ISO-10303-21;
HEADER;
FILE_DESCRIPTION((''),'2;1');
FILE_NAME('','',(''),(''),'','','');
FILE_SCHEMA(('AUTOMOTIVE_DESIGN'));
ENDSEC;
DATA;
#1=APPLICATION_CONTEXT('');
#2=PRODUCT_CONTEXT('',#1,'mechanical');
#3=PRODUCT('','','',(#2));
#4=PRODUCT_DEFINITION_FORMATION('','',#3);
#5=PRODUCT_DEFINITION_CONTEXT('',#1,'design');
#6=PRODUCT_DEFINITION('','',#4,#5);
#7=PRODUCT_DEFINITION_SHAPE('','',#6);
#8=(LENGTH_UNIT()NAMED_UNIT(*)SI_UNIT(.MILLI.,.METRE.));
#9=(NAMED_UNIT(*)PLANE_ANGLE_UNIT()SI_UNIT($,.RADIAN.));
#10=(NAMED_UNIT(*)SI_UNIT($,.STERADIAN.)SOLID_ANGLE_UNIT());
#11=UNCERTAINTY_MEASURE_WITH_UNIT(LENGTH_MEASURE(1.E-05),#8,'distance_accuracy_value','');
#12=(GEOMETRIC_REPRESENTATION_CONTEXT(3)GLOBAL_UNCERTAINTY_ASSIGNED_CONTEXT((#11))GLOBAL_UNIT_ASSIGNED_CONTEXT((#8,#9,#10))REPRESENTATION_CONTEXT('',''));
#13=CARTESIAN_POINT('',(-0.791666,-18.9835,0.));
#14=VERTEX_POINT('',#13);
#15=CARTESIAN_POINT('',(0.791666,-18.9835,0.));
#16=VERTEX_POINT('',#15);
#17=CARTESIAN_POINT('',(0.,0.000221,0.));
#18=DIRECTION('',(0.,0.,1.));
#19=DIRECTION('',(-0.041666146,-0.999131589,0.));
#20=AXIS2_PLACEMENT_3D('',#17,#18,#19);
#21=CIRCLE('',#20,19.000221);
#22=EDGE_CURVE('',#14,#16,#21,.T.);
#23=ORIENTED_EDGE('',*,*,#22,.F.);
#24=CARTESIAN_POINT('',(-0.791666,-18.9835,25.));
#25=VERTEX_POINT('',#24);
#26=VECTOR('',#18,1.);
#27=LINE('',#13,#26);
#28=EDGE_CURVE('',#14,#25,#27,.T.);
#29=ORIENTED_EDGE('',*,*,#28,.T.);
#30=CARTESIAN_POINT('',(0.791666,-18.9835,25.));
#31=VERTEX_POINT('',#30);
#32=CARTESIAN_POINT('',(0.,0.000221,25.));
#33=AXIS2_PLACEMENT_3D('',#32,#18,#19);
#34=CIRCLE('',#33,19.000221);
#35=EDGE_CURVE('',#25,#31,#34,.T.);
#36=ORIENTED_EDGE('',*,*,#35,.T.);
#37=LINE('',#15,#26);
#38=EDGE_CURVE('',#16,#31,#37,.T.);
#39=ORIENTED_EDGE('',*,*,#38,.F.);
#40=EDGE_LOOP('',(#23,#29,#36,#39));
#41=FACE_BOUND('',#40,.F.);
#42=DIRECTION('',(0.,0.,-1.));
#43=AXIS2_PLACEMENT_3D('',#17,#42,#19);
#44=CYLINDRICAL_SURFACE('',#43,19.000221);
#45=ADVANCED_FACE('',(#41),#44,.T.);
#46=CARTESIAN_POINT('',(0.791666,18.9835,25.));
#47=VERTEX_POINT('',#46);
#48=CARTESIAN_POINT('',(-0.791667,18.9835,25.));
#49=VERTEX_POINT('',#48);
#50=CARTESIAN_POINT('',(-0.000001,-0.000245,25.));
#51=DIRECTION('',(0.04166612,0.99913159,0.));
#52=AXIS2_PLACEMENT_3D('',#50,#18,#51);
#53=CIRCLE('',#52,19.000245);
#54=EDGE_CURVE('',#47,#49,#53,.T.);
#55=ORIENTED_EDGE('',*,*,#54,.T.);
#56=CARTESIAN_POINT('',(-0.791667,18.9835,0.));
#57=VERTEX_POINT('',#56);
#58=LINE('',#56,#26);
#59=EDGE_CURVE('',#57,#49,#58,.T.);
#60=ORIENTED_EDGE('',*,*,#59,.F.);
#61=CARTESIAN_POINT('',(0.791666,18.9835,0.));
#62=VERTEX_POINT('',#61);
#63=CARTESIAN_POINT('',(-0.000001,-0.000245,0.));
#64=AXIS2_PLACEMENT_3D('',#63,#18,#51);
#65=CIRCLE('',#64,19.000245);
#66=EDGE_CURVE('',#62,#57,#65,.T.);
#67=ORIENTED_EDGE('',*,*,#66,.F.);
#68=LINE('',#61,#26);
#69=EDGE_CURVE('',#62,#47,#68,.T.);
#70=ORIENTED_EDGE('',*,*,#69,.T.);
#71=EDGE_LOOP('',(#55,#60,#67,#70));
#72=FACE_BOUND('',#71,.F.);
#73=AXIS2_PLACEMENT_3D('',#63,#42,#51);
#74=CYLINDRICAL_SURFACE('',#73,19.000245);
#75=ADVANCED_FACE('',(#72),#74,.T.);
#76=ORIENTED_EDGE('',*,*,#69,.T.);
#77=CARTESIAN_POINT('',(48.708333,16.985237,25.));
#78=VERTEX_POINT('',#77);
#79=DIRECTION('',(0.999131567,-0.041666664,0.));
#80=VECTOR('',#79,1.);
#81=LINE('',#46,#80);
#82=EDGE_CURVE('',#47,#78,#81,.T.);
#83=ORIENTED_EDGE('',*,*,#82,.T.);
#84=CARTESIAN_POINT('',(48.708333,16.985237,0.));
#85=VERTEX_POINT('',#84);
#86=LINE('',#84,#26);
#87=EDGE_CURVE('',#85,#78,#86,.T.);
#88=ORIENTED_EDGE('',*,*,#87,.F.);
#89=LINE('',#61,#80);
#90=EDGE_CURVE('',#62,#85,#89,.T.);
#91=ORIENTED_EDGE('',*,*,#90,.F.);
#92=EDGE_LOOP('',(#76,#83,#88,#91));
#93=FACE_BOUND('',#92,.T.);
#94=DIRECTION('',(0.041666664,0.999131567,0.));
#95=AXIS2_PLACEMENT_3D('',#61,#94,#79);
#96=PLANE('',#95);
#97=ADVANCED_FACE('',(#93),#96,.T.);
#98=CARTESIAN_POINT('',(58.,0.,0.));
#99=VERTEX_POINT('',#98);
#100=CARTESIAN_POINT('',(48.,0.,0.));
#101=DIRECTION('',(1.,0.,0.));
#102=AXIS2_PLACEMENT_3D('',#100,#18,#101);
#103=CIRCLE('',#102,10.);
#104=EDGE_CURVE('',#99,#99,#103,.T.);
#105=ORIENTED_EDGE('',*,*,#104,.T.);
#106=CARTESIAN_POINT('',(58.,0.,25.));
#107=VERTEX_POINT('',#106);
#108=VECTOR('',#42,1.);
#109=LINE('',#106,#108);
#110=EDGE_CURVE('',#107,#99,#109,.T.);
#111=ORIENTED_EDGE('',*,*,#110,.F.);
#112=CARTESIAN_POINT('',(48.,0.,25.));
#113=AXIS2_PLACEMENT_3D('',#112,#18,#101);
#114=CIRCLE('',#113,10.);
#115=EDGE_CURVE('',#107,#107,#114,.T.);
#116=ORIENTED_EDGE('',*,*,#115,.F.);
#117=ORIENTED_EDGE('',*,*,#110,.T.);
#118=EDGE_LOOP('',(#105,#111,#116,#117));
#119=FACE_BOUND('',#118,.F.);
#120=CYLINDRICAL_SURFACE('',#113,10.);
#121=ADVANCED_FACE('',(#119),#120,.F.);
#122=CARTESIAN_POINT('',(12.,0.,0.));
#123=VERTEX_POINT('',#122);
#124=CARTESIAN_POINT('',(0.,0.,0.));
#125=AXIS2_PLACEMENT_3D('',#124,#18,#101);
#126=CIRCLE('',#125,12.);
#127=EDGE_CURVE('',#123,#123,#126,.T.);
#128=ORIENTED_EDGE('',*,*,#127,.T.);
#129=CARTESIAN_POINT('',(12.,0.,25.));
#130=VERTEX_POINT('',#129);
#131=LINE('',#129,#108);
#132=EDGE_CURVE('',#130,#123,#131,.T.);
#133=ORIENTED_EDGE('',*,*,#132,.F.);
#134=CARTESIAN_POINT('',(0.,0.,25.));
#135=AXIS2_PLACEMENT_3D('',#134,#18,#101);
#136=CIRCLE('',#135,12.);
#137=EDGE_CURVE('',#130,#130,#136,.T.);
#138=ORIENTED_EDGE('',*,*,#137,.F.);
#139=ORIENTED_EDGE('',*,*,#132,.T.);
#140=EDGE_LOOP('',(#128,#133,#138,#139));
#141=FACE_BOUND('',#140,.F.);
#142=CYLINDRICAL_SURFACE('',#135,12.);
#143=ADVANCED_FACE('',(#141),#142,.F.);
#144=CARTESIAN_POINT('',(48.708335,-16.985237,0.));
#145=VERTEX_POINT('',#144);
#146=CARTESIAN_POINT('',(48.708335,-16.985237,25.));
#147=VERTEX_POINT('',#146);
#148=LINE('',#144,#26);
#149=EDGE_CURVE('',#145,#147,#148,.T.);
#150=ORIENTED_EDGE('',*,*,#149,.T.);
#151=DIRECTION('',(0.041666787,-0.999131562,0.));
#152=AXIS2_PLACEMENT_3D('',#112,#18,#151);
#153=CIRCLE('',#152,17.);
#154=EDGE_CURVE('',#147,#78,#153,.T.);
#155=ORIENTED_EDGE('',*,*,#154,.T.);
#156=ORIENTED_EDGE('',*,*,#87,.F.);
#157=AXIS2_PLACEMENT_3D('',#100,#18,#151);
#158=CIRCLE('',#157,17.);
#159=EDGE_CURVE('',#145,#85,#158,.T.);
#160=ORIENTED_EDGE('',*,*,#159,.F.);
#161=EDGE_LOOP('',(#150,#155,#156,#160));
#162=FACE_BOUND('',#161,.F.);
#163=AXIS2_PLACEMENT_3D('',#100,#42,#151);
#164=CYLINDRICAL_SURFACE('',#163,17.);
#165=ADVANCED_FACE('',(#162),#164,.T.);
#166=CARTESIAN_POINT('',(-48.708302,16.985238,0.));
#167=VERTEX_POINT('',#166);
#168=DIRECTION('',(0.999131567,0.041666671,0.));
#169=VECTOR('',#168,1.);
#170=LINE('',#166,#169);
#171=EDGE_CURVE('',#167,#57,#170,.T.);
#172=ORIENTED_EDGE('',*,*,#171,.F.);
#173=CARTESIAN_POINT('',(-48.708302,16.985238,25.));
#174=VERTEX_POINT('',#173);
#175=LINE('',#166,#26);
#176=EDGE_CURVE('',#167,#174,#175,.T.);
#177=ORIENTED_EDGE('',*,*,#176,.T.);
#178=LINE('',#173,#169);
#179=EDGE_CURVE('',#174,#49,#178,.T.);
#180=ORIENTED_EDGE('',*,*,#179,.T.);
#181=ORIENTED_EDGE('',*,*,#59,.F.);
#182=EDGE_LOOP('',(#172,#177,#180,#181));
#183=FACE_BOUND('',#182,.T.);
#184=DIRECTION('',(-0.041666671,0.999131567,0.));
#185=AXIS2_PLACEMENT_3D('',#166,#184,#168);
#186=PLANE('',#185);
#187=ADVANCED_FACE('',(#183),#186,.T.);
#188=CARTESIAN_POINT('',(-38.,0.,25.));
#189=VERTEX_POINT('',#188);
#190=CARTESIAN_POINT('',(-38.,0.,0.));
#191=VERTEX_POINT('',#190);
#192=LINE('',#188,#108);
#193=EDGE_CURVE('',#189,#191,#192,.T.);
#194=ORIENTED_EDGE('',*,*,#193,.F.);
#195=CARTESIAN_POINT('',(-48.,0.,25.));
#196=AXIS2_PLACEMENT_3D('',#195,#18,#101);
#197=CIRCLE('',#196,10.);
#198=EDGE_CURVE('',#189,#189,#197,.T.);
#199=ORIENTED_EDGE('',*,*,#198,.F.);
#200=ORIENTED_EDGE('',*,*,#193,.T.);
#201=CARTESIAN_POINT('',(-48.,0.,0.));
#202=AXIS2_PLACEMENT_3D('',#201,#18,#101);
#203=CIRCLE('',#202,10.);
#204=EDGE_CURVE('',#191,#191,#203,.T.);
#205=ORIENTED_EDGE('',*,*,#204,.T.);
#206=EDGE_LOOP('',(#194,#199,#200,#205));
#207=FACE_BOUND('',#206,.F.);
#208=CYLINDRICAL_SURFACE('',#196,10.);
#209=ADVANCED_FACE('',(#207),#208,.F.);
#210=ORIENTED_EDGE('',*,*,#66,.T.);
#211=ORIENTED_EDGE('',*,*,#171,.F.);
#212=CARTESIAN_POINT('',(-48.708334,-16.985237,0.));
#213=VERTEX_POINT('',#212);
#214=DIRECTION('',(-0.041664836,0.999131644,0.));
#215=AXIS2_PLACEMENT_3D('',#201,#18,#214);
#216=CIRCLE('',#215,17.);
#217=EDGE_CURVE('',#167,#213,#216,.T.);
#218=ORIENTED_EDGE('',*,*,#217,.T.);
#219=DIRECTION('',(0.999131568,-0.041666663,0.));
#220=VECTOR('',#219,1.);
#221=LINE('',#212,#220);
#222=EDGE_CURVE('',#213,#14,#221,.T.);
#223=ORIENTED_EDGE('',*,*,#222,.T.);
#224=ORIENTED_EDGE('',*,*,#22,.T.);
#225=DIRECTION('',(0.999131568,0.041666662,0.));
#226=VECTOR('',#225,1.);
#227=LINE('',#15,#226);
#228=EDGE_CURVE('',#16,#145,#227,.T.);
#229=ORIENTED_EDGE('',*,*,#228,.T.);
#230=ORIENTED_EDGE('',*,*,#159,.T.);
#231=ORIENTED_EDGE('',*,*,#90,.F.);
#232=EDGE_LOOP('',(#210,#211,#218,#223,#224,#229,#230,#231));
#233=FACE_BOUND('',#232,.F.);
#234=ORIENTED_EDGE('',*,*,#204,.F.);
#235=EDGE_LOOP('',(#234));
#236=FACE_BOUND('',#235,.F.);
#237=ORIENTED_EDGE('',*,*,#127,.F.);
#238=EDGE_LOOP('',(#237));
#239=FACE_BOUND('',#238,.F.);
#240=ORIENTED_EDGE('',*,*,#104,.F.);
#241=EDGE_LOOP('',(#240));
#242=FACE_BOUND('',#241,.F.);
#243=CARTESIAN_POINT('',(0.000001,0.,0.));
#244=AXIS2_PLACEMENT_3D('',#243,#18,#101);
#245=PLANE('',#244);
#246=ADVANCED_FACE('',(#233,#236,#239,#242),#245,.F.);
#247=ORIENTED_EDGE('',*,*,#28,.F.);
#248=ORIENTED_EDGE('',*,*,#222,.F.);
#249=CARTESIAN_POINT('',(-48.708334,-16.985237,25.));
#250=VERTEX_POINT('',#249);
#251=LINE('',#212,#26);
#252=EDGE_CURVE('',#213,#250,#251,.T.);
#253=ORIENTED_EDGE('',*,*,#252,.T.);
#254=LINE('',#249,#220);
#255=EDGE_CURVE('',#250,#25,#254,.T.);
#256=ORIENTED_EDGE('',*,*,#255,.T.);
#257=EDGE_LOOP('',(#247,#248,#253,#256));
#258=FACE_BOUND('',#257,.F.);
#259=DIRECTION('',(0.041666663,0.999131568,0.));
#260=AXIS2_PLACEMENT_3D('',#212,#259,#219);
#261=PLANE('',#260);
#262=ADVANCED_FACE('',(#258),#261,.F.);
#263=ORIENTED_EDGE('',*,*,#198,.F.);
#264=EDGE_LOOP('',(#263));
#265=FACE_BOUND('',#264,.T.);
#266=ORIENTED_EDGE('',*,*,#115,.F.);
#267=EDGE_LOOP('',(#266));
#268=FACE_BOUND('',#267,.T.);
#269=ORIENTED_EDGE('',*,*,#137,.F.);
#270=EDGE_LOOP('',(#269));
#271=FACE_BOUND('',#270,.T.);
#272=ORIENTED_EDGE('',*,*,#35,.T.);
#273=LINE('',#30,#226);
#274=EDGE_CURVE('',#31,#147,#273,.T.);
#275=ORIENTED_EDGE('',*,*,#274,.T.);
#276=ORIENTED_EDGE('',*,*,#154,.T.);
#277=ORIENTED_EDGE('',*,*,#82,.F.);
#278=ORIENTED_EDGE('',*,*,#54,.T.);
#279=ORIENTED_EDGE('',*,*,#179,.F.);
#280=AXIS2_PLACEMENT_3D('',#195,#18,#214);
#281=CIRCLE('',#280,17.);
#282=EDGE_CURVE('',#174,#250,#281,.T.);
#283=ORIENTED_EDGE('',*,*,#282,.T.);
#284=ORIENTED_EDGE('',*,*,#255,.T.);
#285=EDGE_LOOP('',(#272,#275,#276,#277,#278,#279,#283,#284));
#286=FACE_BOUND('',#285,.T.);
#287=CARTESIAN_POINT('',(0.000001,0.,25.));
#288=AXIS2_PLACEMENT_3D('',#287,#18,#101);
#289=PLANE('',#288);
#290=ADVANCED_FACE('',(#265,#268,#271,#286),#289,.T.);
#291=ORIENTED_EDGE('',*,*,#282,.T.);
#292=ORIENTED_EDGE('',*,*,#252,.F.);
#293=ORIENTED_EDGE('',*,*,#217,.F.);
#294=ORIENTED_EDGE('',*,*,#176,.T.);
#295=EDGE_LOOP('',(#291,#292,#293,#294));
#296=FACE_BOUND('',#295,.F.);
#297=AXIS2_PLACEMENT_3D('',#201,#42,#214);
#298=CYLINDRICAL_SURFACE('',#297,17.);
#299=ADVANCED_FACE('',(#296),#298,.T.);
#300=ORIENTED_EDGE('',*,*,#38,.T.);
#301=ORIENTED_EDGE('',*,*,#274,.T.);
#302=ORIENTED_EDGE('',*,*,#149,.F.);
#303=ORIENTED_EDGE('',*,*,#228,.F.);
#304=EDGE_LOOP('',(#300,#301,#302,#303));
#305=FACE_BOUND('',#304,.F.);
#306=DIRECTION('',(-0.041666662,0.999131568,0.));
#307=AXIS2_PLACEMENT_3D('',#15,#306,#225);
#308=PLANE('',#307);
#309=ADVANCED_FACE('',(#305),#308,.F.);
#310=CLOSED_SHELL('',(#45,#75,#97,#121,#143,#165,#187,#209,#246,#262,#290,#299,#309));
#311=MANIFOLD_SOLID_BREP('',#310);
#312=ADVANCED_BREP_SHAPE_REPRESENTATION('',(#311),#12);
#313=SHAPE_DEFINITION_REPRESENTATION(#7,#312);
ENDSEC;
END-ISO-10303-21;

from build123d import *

# Parameters (mm, degrees)
PAD_DEPTH     = 25
SKETCH001_R   = 12
SKETCH001_R_2 = 10
POCKET_DEPTH  = 25


with BuildPart() as part:
    # Sketch → Pad (new body)
    with BuildSketch(Plane.XY):
        with BuildLine():
            ThreePointArc((-48.708302, 16.985238), (-65, 1.6e-05), (-48.708334, -16.985237))
            Line((-48.708334, -16.985237), (-0.791666, -18.9835))
            ThreePointArc((-0.791666, -18.9835), (0, -19), (0.791666, -18.9835))
            Line((0.791666, -18.9835), (48.708335, -16.985237))
            ThreePointArc((48.708335, -16.985237), (65, 1e-06), (48.708333, 16.985237))
            Line((0.791666, 18.9835), (48.708333, 16.985237))
            ThreePointArc((0.791666, 18.9835), (0, 19), (-0.791667, 18.9835))
            Line((-48.708302, 16.985238), (-0.791667, 18.9835))
        make_face()
    extrude(amount=PAD_DEPTH)

    # Sketch001 (on Face10 of Pad) → Pocket (cut)
    with BuildSketch(Plane.XY.offset(25)):
        Circle(SKETCH001_R)
        with Locations((48, 0)):
            Circle(SKETCH001_R_2)
        with Locations((-48, 0)):
            Circle(SKETCH001_R_2)
    extrude(amount=-POCKET_DEPTH, mode=Mode.SUBTRACT)


solid = part.part
